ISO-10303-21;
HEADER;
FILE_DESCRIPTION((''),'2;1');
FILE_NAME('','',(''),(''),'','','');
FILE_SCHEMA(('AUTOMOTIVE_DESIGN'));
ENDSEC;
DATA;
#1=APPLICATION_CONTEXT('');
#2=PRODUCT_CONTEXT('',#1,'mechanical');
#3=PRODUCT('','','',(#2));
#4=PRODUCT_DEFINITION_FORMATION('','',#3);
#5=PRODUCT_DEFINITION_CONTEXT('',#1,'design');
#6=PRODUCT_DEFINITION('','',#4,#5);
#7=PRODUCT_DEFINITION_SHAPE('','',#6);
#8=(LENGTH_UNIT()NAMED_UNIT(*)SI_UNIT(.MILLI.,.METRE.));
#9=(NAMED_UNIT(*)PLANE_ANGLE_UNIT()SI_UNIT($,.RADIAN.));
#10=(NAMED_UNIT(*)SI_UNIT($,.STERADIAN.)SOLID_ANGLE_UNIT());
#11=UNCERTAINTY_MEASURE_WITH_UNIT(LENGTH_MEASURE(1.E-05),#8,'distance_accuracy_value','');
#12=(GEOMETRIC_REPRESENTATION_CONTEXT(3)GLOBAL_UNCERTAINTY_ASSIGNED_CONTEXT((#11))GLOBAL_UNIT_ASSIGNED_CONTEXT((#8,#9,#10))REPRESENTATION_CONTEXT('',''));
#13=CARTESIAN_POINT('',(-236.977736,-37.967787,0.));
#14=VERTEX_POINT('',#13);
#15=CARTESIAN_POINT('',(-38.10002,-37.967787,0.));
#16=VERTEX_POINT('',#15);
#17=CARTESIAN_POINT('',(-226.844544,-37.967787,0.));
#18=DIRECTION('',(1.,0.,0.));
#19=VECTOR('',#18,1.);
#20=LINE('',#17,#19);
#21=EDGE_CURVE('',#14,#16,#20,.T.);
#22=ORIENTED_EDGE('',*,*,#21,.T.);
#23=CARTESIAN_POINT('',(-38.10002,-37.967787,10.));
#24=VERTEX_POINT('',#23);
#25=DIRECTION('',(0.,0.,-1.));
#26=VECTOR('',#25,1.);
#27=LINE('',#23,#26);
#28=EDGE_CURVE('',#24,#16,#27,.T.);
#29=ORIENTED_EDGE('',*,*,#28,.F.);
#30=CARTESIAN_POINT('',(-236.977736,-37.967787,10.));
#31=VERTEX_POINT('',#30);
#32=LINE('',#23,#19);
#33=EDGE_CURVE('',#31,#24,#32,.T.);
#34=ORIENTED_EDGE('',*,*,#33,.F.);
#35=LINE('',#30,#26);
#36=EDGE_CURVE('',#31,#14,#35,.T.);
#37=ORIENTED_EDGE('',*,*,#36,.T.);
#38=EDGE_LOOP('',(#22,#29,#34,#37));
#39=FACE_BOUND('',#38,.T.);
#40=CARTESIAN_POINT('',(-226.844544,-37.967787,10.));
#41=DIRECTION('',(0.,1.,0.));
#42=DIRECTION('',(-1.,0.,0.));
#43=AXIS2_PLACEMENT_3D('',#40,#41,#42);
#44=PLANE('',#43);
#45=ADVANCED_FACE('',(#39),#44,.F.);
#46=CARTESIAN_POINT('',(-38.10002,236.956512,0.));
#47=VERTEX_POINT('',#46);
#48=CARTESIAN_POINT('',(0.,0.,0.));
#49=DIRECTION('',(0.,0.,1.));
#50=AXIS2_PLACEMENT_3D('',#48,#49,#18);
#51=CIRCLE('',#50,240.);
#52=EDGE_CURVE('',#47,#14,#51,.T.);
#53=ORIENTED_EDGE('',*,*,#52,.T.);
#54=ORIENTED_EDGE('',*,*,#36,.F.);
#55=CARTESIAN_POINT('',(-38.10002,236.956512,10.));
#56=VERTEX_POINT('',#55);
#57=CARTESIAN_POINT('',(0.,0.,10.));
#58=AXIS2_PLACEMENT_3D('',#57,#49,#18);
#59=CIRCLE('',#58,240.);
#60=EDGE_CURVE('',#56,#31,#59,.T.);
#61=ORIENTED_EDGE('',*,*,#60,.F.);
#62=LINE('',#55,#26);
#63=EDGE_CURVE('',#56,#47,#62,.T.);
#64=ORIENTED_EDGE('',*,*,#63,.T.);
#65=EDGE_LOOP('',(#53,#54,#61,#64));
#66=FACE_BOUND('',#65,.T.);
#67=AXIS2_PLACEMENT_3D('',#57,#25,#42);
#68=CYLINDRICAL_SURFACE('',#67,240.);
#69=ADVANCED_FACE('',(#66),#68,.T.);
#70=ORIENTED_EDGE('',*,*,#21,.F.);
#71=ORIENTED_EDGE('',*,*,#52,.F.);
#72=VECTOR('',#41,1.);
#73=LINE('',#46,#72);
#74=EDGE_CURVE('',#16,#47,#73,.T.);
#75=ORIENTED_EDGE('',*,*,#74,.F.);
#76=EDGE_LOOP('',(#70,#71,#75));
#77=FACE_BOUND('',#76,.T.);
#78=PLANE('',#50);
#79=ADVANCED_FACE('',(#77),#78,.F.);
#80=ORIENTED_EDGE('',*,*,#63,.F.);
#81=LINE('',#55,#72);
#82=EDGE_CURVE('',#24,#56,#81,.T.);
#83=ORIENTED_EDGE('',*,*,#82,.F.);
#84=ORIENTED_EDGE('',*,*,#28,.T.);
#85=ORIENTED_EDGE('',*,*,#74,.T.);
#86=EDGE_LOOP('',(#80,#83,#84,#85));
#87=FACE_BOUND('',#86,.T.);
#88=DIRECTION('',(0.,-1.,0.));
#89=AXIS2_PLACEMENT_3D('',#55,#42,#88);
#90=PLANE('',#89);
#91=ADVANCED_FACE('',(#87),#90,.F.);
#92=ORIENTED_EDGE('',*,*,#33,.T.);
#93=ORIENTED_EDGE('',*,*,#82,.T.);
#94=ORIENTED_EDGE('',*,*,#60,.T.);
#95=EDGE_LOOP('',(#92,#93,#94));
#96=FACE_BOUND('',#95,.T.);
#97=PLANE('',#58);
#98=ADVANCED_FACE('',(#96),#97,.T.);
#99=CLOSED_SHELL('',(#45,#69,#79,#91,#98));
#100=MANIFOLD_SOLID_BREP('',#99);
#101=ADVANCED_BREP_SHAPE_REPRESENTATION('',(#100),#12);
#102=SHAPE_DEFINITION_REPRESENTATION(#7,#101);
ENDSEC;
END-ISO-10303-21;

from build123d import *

# Parameters (mm, degrees)
BOSS_EXTRUDE1_DEPTH = 10


with BuildPart() as part:
    # Sketch1 → Boss-Extrude1 (new body)
    with BuildSketch(Plane.XY):
        with BuildLine():
            Line((-226.844543996, -37.967787126), (-236.977735538, -37.967787126))
            ThreePointArc((-236.977735538, -37.967787126), (-194.455098656, 140.667034541), (-38.100019678, 236.956511834))
            Line((-38.100019678, 236.956511834), (-38.100019678, -37.967787126))
            Line((-38.100019678, -37.967787126), (-226.844543996, -37.967787126))
        make_face()
    extrude(amount=BOSS_EXTRUDE1_DEPTH)


solid = part.part
